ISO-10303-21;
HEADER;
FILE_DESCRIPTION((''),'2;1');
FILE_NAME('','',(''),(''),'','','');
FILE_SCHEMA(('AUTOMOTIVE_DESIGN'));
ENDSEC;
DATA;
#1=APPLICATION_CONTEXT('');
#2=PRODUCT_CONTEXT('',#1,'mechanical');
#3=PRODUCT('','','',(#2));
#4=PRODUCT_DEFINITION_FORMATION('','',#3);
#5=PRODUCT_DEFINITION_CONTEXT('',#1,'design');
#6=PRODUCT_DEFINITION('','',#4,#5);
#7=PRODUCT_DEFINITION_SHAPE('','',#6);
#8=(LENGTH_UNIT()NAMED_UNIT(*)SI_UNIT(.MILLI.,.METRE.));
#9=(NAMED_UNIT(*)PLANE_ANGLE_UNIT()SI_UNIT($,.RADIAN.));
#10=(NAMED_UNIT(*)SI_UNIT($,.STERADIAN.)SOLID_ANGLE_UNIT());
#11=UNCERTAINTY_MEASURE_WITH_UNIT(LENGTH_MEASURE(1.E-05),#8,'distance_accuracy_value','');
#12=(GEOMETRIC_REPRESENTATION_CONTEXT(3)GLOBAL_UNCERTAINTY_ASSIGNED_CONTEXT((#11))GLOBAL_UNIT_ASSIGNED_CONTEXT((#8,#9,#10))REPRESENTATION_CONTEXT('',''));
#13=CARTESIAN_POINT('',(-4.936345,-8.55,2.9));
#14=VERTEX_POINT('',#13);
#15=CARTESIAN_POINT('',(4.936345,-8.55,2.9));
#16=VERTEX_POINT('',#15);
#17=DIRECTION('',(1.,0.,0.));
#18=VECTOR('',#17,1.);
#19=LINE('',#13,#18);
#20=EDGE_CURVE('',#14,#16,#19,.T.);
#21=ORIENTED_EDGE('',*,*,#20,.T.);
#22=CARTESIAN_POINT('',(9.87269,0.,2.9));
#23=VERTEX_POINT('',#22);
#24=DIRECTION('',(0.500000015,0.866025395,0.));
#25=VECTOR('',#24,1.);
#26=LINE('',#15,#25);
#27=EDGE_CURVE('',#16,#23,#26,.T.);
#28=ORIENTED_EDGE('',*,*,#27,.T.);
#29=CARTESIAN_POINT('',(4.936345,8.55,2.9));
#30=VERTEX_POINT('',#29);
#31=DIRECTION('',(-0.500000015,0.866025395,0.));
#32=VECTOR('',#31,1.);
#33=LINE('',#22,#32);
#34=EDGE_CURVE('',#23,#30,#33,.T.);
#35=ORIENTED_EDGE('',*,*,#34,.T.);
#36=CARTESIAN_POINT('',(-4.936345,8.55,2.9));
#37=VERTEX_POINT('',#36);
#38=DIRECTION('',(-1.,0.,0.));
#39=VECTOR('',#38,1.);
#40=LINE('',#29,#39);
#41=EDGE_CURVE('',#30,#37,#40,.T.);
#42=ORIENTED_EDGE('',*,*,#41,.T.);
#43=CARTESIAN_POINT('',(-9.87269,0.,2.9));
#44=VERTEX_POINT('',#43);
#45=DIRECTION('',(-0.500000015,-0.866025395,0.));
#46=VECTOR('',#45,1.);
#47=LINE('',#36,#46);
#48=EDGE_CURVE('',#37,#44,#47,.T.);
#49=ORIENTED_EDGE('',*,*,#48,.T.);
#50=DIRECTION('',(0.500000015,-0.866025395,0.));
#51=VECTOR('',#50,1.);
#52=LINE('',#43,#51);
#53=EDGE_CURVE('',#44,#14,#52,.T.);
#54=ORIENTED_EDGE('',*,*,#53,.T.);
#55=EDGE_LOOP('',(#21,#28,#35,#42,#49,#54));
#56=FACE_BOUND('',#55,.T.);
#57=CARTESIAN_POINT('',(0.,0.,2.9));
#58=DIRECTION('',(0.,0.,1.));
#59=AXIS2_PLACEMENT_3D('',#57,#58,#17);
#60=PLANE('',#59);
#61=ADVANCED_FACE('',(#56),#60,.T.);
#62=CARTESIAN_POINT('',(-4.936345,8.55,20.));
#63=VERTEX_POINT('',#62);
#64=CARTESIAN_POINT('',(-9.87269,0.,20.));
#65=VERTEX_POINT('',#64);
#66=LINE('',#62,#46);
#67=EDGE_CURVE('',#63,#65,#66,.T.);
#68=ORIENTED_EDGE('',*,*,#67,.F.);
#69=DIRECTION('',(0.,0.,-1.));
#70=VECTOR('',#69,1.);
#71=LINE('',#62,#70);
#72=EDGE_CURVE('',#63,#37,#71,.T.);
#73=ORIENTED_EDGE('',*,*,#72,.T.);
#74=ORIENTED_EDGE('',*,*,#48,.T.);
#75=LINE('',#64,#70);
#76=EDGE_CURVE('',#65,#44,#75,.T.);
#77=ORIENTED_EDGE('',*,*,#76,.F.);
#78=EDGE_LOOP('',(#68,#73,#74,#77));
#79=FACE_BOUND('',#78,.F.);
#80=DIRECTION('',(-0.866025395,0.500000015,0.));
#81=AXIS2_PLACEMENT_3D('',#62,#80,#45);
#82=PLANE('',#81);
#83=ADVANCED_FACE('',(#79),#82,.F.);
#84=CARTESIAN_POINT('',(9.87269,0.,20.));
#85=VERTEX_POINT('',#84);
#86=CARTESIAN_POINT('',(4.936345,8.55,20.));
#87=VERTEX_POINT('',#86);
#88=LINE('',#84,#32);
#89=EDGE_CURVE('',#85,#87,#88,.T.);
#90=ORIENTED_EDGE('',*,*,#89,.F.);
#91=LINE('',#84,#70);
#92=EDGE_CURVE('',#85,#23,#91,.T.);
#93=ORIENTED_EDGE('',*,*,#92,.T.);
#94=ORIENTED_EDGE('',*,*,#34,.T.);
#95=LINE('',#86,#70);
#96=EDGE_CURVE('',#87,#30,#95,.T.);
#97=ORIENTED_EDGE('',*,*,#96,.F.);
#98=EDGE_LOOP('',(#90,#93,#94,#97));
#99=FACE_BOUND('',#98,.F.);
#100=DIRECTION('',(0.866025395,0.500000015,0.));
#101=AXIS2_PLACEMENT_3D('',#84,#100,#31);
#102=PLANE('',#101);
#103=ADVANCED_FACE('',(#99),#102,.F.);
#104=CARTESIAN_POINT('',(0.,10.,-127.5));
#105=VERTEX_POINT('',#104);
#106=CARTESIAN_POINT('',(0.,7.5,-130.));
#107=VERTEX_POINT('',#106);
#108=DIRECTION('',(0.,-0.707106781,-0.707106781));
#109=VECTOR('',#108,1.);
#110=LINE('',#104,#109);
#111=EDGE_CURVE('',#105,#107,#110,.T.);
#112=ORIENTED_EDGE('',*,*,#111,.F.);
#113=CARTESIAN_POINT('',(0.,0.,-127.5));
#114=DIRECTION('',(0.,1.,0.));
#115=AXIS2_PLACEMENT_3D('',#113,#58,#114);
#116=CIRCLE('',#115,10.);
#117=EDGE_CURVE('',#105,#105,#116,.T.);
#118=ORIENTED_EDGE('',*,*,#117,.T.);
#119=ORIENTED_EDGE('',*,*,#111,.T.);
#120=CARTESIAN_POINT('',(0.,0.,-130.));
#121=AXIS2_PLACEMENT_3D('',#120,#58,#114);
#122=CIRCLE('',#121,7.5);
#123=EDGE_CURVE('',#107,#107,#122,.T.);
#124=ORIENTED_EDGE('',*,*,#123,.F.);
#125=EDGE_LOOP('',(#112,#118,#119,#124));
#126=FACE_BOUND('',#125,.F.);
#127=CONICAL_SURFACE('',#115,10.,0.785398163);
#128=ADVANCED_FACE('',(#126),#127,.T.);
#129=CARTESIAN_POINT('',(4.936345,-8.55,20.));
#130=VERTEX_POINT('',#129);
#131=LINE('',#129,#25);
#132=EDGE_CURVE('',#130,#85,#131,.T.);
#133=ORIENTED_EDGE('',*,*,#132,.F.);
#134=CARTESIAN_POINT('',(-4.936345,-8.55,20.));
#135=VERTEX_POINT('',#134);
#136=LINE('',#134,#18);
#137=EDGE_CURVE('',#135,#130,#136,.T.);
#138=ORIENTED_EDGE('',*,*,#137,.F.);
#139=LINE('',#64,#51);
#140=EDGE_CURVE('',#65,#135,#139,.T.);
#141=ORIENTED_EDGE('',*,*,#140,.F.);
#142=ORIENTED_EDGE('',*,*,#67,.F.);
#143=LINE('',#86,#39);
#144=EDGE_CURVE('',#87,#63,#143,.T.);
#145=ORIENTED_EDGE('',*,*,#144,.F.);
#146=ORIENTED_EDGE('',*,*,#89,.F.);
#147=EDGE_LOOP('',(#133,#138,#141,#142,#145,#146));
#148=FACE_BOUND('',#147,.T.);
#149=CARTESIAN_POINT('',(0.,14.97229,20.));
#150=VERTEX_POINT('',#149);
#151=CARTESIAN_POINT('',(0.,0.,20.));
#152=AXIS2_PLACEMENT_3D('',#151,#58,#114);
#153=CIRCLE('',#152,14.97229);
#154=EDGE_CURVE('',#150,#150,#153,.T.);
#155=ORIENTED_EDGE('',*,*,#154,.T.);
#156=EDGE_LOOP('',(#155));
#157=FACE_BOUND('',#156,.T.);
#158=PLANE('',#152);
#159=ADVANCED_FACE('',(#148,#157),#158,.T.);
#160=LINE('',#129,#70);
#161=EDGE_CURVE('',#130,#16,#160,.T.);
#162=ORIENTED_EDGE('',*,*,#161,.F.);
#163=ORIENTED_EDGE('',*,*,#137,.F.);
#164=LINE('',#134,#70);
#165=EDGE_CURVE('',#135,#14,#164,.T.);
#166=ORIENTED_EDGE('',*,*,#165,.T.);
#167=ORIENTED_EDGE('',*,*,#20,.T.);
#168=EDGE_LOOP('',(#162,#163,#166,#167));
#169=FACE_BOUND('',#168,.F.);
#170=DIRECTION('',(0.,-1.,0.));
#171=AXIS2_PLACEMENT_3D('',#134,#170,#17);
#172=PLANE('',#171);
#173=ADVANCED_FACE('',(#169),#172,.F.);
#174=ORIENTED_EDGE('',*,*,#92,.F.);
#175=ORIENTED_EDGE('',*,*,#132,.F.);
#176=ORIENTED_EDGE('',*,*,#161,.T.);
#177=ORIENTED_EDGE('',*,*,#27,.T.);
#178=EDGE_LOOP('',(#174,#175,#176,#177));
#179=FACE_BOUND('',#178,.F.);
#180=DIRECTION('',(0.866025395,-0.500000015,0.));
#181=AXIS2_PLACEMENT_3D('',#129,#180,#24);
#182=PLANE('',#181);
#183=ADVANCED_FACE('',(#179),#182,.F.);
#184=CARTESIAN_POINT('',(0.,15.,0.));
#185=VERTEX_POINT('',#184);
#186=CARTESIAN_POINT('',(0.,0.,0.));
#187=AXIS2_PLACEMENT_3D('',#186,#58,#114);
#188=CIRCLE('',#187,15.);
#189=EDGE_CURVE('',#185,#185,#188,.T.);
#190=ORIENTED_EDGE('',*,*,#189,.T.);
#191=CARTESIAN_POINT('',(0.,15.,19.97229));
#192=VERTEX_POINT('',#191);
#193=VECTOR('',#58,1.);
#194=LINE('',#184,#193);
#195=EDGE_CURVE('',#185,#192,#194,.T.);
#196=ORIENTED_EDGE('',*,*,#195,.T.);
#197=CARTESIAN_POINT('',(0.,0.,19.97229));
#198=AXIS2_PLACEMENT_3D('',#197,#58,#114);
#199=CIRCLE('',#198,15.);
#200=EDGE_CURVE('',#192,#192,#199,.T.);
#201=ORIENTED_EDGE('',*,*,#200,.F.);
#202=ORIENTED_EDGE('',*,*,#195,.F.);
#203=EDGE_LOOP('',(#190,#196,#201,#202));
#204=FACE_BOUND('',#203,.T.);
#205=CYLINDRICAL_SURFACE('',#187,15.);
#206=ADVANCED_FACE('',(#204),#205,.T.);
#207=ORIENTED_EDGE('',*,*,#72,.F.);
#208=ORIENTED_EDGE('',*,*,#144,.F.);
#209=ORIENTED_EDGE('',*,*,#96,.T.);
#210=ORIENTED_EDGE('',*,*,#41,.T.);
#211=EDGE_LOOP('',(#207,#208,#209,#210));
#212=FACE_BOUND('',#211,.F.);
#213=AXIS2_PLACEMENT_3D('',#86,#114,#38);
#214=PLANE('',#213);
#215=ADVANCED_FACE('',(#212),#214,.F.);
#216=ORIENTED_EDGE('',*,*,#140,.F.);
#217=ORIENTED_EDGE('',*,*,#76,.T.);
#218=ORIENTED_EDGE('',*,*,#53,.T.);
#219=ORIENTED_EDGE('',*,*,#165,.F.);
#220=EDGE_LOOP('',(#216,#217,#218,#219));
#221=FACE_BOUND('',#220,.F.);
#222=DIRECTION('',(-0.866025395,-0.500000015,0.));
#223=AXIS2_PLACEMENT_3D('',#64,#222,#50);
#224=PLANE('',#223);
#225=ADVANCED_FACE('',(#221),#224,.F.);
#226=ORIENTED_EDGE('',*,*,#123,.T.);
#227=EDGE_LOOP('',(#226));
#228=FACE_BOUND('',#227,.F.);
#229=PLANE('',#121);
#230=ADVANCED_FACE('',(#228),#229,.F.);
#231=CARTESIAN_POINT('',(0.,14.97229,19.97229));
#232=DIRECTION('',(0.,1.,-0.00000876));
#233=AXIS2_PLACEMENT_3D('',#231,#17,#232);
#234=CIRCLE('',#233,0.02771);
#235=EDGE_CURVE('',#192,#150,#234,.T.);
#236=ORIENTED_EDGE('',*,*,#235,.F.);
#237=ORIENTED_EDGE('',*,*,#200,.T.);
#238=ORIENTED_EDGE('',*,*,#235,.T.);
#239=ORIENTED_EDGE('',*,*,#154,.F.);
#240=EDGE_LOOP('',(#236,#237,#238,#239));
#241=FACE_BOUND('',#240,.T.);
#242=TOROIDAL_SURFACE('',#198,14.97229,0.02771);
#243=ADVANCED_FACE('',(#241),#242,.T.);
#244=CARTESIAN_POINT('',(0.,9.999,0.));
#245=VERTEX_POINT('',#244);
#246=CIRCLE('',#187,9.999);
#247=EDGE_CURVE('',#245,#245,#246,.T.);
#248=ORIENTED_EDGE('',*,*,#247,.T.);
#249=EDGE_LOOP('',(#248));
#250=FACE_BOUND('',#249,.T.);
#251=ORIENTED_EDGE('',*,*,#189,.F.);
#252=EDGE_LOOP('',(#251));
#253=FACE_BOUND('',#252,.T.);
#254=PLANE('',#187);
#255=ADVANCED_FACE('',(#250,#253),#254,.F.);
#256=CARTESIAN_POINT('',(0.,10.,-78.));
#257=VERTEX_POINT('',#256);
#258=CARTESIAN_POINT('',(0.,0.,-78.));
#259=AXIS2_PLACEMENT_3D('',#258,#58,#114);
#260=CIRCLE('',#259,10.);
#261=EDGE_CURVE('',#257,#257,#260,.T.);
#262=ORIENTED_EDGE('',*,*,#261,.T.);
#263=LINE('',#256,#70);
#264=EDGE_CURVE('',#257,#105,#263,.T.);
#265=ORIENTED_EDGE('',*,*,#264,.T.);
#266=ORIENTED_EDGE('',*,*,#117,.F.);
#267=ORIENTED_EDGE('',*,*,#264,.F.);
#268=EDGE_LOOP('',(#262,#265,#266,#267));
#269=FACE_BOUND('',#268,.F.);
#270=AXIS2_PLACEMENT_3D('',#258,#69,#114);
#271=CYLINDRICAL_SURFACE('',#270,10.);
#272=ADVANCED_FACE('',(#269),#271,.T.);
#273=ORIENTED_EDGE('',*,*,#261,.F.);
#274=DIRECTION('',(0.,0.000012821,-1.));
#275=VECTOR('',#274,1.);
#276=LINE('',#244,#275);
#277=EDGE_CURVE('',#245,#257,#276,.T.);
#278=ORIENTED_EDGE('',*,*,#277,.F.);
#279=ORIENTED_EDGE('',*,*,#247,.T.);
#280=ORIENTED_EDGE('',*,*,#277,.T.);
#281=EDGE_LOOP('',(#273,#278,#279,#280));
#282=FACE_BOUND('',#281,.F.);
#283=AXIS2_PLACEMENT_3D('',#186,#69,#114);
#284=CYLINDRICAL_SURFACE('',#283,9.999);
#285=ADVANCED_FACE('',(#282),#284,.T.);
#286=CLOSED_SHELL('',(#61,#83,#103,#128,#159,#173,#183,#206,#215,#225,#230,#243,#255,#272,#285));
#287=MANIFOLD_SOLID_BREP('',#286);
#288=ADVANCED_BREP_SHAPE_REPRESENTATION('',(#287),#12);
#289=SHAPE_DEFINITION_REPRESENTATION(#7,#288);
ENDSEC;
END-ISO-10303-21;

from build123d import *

# Parameters (mm, degrees)
POCKET_DEPTH = 17.1


with BuildPart() as part:
    # Sketch → Revolve (revolve)
    with BuildSketch(Plane.YZ):
        with BuildLine():
            Line((9.999, 0), (15, 0))
            Line((15, 0), (15, 19.97229))
            ThreePointArc((15, 19.97229), (14.991884, 19.991884), (14.97229, 20))
            Line((14.97229, 20), (0, 20))
            Line((0, -130), (0, 20))
            Line((7.5, -130), (0, -130))
            Line((10, -127.5), (7.5, -130))
            Line((10, -78), (10, -127.5))
            Line((9.999, 0), (10, -78))
        make_face()
    revolve(axis=Axis((0, 0, 0), (0, 0, 1)))

    # Sketch001 → Pocket (cut)
    with BuildSketch(Plane.XY.offset(20)):
        Polygon((9.87269, 0), (4.936345, 8.55), (-4.936345, 8.55), (-9.87269, 0), (-4.936345, -8.55), (4.936345, -8.55), align=None)
    extrude(amount=-POCKET_DEPTH, mode=Mode.SUBTRACT)


solid = part.part
